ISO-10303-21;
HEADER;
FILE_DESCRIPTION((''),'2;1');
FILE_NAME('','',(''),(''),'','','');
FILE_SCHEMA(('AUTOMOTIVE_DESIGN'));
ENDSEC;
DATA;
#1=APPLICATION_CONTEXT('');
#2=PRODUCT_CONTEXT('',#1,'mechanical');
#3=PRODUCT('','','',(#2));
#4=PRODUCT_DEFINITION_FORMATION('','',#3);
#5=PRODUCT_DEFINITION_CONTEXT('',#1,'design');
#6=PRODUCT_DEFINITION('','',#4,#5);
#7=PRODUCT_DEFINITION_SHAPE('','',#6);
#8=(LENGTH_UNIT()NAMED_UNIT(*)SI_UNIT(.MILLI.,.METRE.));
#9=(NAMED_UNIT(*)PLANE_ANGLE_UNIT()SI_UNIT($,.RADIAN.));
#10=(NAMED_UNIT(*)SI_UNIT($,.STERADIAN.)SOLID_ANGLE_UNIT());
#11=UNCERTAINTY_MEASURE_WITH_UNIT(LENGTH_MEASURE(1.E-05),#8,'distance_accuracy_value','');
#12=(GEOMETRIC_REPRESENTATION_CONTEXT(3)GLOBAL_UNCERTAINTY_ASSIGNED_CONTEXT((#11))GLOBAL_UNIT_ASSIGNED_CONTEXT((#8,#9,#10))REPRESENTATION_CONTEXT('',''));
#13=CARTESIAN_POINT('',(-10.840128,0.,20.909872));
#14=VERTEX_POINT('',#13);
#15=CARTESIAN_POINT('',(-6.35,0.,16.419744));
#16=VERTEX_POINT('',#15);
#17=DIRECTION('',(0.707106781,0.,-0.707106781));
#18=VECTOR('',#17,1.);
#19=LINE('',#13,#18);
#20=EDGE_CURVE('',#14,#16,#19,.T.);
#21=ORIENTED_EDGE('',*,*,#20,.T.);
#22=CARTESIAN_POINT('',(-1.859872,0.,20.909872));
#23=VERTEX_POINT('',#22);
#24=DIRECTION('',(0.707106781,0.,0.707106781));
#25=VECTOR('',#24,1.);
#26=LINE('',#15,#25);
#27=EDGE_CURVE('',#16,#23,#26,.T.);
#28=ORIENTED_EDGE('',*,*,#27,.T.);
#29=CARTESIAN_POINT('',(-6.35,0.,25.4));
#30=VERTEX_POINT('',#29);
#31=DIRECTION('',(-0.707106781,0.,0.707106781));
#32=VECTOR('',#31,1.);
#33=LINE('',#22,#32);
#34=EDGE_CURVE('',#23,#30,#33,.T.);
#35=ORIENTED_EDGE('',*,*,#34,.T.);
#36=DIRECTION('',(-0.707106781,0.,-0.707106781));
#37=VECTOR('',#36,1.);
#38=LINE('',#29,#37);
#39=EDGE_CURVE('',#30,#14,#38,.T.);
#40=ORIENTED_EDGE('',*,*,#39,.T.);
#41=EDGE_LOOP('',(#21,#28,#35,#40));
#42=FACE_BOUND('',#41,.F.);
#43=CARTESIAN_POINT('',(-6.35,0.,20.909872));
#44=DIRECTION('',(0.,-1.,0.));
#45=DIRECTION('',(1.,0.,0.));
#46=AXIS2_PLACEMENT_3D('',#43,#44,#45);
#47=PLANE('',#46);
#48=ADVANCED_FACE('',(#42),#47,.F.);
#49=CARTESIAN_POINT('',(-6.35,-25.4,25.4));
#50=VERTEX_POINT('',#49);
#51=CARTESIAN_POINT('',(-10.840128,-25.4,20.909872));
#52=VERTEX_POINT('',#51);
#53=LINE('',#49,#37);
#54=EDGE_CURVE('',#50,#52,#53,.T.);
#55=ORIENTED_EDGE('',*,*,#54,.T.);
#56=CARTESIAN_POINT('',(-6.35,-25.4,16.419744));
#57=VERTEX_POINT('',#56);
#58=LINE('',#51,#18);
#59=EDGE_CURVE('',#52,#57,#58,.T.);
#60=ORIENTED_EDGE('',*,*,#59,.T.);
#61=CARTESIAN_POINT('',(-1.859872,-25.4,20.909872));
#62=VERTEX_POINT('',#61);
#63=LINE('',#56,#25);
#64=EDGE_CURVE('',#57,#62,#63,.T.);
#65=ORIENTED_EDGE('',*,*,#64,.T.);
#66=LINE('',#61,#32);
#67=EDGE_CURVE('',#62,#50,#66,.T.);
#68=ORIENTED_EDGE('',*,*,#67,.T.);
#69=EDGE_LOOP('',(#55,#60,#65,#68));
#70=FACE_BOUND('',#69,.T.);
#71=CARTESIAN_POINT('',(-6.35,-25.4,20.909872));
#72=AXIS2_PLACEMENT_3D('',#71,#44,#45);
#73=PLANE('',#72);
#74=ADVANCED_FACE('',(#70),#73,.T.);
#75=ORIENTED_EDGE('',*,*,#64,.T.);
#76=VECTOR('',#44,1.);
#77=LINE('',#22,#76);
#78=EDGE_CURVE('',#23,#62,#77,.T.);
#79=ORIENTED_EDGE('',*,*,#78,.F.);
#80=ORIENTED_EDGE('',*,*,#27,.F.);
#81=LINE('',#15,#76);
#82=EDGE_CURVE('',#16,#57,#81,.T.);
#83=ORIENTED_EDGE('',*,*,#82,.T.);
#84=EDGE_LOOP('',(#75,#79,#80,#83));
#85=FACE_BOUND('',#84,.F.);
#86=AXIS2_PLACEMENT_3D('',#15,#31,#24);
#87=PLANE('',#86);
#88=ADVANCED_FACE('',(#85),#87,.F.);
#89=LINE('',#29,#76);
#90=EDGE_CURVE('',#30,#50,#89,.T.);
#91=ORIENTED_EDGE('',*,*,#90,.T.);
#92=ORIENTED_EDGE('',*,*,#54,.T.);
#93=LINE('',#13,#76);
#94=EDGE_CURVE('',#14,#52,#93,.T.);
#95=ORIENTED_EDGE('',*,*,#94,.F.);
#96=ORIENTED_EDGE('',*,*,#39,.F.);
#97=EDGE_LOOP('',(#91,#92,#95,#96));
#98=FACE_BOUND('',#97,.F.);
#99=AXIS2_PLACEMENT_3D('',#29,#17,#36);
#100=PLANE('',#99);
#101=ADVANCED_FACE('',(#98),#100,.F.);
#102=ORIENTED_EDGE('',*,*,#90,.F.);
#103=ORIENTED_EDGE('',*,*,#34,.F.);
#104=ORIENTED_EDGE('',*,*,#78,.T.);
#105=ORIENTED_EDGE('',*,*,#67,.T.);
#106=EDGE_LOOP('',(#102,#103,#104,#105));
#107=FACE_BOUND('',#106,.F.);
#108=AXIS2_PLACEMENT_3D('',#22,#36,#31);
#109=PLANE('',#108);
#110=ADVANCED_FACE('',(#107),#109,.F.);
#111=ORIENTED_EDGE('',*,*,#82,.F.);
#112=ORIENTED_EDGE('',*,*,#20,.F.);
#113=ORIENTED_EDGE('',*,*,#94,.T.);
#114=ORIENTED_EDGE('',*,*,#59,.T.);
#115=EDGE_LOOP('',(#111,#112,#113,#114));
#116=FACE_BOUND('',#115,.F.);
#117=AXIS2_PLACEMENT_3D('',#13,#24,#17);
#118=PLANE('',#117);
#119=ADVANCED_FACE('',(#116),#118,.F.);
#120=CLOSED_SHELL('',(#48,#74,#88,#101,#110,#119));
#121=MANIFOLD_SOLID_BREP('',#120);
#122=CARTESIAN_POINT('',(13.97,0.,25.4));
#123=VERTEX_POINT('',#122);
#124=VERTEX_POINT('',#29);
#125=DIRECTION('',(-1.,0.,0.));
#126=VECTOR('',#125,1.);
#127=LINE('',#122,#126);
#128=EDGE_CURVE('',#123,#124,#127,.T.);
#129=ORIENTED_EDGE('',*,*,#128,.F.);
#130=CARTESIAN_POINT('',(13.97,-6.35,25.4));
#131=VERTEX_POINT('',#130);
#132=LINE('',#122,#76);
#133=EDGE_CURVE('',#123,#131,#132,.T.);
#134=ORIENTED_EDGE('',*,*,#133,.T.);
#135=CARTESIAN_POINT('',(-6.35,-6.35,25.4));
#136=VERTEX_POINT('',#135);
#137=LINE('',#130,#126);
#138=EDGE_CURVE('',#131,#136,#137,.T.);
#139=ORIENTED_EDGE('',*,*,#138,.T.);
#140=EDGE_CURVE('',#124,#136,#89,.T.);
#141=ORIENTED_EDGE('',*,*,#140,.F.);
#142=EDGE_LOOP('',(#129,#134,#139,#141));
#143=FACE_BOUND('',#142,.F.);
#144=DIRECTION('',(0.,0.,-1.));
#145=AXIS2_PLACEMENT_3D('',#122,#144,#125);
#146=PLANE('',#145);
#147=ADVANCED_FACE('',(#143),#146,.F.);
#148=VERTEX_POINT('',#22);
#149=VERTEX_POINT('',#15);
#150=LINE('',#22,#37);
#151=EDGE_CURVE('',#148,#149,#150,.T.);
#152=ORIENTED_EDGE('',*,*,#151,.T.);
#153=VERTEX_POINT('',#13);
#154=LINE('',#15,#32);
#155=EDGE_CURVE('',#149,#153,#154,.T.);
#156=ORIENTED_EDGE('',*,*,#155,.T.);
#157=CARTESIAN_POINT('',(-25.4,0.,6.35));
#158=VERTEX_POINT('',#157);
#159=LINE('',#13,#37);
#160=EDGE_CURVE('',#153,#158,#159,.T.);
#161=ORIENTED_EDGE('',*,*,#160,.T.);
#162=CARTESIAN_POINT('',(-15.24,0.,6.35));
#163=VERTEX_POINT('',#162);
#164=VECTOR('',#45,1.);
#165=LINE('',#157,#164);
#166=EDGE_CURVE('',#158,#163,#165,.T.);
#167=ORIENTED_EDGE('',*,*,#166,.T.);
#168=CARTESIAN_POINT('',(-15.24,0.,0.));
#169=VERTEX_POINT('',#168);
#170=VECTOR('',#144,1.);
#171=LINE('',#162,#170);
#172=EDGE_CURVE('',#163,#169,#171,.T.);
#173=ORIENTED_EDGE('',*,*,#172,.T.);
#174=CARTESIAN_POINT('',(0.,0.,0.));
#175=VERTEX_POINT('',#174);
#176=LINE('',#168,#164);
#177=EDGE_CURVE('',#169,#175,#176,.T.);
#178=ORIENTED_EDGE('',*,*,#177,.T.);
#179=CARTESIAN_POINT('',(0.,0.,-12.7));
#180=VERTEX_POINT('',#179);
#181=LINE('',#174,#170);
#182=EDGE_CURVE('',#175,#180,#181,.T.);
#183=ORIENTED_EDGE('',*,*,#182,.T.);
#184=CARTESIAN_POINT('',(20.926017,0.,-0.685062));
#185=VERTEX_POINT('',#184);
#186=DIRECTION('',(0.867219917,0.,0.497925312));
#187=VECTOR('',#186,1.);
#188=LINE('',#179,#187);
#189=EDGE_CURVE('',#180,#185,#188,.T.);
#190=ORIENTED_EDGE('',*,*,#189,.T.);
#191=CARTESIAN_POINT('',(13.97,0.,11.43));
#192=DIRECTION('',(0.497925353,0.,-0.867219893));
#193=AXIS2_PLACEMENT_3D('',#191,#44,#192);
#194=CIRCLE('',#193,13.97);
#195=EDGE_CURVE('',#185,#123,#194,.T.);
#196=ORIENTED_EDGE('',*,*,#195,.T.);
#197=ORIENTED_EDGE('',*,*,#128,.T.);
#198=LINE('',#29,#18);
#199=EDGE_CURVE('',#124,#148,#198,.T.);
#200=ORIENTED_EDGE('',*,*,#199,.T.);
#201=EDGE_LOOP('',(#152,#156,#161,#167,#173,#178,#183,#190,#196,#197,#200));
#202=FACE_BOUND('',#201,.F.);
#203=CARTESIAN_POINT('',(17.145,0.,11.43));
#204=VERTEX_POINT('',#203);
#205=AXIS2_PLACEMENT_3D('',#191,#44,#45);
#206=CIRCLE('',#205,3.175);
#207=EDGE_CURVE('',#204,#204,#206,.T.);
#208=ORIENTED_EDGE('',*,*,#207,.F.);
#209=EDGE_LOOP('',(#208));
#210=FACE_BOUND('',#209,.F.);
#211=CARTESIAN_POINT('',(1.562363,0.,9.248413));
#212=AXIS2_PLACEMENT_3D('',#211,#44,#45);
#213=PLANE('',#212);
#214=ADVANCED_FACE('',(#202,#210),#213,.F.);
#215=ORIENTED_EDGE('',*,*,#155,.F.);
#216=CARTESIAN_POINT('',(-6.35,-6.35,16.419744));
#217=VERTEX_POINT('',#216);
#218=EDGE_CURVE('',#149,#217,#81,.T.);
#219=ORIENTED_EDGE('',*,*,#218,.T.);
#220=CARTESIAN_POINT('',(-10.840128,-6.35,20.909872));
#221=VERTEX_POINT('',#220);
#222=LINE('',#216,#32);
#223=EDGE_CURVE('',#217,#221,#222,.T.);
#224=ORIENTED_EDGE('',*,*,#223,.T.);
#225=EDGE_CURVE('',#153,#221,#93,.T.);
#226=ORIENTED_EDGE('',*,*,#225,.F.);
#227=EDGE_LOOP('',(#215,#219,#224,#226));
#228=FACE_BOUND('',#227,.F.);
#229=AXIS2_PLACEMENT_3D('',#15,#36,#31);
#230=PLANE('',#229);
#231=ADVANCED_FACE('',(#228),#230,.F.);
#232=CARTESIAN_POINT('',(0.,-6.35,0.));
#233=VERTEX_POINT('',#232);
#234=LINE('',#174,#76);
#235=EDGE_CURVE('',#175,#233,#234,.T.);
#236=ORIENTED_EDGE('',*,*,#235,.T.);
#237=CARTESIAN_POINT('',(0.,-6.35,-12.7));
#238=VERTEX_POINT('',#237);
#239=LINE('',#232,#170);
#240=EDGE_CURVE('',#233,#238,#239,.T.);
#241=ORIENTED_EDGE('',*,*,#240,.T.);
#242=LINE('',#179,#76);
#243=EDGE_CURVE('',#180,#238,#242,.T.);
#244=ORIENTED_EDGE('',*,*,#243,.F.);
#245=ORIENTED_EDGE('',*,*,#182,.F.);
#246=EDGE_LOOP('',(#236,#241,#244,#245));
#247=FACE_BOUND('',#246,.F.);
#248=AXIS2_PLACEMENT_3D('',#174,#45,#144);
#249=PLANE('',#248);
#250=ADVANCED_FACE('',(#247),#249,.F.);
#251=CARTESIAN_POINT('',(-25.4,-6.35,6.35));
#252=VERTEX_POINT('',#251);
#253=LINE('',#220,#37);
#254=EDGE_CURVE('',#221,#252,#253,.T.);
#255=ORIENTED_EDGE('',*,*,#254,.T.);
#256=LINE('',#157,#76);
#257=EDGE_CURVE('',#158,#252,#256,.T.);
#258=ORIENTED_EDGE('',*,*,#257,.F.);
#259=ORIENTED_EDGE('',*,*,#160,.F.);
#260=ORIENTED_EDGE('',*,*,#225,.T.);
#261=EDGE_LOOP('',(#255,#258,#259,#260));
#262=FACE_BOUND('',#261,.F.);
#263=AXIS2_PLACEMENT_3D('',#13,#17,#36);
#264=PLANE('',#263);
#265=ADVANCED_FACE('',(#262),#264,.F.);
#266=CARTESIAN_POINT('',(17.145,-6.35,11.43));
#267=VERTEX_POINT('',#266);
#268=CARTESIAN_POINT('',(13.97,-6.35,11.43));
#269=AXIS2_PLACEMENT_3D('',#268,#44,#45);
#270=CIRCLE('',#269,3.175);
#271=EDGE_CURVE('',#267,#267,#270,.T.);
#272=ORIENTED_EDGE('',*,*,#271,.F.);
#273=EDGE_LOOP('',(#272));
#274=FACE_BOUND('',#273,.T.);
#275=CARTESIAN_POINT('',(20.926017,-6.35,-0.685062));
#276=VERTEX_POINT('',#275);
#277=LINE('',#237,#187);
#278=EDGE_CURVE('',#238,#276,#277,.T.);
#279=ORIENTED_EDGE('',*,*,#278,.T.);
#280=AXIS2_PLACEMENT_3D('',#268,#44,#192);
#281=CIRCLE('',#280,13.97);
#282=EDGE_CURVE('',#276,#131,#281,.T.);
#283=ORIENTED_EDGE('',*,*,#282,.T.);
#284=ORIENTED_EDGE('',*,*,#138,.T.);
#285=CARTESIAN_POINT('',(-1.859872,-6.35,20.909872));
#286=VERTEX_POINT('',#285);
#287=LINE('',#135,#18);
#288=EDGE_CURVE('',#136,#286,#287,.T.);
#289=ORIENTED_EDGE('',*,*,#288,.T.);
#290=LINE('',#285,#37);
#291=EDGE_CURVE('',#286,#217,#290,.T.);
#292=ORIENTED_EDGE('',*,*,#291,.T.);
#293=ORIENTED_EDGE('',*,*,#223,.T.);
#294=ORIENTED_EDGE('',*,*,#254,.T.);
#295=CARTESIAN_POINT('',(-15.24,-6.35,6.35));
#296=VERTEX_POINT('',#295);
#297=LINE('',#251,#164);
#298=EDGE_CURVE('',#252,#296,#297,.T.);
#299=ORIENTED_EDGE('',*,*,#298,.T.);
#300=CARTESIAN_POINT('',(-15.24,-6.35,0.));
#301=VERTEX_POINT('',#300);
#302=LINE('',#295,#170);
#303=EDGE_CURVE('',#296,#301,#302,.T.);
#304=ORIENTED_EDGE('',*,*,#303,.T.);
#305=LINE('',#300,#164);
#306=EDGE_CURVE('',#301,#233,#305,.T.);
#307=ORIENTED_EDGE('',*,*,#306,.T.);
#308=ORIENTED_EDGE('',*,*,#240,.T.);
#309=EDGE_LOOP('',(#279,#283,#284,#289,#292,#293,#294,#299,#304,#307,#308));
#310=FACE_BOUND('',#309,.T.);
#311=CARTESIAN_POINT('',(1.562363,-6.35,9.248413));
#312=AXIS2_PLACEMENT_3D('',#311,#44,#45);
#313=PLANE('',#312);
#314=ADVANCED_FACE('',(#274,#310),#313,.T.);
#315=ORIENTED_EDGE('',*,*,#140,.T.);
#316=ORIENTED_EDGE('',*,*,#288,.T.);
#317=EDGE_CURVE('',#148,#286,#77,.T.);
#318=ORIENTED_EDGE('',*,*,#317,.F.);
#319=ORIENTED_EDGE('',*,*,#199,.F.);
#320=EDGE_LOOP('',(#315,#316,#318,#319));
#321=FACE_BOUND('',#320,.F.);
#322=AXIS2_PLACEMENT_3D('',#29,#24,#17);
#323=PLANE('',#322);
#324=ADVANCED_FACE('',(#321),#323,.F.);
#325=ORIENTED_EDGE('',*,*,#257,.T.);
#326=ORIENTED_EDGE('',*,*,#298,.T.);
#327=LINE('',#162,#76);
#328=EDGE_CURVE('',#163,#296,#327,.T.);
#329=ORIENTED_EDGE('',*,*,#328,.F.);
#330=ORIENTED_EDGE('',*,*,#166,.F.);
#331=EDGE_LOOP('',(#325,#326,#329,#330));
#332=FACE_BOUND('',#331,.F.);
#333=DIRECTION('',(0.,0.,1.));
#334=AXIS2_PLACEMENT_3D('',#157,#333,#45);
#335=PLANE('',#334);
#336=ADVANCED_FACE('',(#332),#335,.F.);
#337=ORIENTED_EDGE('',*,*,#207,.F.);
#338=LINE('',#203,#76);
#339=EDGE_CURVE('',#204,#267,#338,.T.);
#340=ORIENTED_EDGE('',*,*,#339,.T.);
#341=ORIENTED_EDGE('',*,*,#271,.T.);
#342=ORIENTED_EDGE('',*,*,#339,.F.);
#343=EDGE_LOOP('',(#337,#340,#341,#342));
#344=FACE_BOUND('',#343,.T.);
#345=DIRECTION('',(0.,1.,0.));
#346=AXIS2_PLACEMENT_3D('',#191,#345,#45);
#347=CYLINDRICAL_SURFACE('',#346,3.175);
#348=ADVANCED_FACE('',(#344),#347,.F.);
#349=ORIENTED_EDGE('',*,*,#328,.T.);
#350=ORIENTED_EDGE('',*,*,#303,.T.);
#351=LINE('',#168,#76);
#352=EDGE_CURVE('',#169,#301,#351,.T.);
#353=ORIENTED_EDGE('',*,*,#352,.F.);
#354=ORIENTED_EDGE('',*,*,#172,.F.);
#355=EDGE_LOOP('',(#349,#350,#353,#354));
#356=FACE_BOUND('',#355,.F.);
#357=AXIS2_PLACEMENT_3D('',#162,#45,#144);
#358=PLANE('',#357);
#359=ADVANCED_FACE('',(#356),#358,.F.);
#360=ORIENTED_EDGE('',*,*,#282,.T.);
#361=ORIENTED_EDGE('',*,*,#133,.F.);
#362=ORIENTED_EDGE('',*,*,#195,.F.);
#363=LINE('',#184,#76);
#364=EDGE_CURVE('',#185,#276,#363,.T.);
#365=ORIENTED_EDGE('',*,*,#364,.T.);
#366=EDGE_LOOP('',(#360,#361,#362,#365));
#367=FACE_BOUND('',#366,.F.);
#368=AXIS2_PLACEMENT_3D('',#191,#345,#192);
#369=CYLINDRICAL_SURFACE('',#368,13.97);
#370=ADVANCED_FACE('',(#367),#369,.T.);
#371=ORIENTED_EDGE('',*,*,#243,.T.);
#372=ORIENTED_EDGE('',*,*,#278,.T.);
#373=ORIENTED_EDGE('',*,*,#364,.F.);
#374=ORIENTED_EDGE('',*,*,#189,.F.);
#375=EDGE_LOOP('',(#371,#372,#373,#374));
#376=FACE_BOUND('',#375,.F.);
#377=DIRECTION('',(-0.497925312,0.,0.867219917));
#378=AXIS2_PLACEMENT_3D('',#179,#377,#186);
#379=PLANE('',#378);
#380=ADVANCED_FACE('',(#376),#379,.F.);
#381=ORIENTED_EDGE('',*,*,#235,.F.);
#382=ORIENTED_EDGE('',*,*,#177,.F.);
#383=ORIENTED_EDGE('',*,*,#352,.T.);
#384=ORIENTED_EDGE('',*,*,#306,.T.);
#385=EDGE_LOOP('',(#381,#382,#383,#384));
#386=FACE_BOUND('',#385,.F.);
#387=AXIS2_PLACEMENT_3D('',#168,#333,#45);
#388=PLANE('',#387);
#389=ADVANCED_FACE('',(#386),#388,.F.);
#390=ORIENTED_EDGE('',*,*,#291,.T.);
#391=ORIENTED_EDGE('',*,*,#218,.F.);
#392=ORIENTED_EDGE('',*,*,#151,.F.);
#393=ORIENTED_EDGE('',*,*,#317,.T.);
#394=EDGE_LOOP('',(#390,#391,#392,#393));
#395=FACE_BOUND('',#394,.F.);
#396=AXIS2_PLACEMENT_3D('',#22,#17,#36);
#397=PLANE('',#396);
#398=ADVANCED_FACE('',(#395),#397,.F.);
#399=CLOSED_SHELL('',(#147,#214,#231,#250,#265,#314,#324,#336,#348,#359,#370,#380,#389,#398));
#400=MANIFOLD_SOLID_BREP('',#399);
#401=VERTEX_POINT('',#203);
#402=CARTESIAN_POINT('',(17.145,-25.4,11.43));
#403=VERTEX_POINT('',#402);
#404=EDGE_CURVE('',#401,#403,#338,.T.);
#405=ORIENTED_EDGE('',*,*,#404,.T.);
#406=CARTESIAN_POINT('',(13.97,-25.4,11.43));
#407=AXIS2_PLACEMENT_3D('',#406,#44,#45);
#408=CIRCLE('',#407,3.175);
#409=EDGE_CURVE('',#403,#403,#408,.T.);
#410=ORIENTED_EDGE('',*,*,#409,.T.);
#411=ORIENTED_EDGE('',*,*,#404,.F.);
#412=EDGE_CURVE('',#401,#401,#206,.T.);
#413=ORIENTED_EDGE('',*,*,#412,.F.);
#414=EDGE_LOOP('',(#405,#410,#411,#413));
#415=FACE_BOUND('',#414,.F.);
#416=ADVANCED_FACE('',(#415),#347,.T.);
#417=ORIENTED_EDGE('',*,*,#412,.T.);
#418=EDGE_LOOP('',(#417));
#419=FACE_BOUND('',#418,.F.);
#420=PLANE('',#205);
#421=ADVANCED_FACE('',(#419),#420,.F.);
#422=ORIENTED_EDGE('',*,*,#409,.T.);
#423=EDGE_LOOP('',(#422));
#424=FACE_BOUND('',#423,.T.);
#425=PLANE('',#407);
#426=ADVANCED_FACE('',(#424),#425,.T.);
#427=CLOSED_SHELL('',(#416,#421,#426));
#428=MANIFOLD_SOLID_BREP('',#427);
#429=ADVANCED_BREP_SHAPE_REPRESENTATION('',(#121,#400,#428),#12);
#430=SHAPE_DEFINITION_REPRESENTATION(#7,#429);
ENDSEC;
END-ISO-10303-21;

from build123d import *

# Parameters (mm, degrees)
F0_R     = 3.175
F1_DEPTH = 6.35
F2_R     = 3.175
F3_DEPTH = 25.4
F5_DEPTH = 25.4


with BuildPart() as f1:
    # F0 (on Front) → F1 (new body)
    with BuildSketch(Plane.XZ):
        with BuildLine():
            Line((-15.24, 0), (0, 0))
            Line((0, 0), (0, -12.7))
            Line((0, -12.7), (20.926017, -0.685062))
            ThreePointArc((20.926017, -0.685062), (27.468302, 15.029547), (13.97, 25.4))
            Line((13.97, 25.4), (-6.35, 25.4))
            Line((-6.35, 25.4), (-1.859872, 20.909872))
            Line((-1.859872, 20.909872), (-6.35, 16.419744))
            Line((-6.35, 16.419744), (-10.840128, 20.909872))
            Line((-10.840128, 20.909872), (-25.4, 6.35))
            Line((-25.4, 6.35), (-15.24, 6.35))
            Line((-15.24, 6.35), (-15.24, 0))
        make_face()
        with Locations((13.97, 11.43)):
            Circle(F0_R, mode=Mode.SUBTRACT)
    extrude(amount=F1_DEPTH)


with BuildPart() as f3:
    # F2 (on Front) → F3 (new body)
    with BuildSketch(Plane.XZ):
        with Locations((13.97, 11.43)):
            Circle(F2_R)
    extrude(amount=F3_DEPTH)


with BuildPart() as f5:
    # F4 (on Front) → F5 (new body)
    with BuildSketch(Plane.XZ):
        Polygon((-10.840128, 20.909872), (-6.35, 16.419744), (-1.859872, 20.909872), (-6.35, 25.4), align=None)
    extrude(amount=F5_DEPTH)


solid = Compound([f1.part, f3.part, f5.part])
